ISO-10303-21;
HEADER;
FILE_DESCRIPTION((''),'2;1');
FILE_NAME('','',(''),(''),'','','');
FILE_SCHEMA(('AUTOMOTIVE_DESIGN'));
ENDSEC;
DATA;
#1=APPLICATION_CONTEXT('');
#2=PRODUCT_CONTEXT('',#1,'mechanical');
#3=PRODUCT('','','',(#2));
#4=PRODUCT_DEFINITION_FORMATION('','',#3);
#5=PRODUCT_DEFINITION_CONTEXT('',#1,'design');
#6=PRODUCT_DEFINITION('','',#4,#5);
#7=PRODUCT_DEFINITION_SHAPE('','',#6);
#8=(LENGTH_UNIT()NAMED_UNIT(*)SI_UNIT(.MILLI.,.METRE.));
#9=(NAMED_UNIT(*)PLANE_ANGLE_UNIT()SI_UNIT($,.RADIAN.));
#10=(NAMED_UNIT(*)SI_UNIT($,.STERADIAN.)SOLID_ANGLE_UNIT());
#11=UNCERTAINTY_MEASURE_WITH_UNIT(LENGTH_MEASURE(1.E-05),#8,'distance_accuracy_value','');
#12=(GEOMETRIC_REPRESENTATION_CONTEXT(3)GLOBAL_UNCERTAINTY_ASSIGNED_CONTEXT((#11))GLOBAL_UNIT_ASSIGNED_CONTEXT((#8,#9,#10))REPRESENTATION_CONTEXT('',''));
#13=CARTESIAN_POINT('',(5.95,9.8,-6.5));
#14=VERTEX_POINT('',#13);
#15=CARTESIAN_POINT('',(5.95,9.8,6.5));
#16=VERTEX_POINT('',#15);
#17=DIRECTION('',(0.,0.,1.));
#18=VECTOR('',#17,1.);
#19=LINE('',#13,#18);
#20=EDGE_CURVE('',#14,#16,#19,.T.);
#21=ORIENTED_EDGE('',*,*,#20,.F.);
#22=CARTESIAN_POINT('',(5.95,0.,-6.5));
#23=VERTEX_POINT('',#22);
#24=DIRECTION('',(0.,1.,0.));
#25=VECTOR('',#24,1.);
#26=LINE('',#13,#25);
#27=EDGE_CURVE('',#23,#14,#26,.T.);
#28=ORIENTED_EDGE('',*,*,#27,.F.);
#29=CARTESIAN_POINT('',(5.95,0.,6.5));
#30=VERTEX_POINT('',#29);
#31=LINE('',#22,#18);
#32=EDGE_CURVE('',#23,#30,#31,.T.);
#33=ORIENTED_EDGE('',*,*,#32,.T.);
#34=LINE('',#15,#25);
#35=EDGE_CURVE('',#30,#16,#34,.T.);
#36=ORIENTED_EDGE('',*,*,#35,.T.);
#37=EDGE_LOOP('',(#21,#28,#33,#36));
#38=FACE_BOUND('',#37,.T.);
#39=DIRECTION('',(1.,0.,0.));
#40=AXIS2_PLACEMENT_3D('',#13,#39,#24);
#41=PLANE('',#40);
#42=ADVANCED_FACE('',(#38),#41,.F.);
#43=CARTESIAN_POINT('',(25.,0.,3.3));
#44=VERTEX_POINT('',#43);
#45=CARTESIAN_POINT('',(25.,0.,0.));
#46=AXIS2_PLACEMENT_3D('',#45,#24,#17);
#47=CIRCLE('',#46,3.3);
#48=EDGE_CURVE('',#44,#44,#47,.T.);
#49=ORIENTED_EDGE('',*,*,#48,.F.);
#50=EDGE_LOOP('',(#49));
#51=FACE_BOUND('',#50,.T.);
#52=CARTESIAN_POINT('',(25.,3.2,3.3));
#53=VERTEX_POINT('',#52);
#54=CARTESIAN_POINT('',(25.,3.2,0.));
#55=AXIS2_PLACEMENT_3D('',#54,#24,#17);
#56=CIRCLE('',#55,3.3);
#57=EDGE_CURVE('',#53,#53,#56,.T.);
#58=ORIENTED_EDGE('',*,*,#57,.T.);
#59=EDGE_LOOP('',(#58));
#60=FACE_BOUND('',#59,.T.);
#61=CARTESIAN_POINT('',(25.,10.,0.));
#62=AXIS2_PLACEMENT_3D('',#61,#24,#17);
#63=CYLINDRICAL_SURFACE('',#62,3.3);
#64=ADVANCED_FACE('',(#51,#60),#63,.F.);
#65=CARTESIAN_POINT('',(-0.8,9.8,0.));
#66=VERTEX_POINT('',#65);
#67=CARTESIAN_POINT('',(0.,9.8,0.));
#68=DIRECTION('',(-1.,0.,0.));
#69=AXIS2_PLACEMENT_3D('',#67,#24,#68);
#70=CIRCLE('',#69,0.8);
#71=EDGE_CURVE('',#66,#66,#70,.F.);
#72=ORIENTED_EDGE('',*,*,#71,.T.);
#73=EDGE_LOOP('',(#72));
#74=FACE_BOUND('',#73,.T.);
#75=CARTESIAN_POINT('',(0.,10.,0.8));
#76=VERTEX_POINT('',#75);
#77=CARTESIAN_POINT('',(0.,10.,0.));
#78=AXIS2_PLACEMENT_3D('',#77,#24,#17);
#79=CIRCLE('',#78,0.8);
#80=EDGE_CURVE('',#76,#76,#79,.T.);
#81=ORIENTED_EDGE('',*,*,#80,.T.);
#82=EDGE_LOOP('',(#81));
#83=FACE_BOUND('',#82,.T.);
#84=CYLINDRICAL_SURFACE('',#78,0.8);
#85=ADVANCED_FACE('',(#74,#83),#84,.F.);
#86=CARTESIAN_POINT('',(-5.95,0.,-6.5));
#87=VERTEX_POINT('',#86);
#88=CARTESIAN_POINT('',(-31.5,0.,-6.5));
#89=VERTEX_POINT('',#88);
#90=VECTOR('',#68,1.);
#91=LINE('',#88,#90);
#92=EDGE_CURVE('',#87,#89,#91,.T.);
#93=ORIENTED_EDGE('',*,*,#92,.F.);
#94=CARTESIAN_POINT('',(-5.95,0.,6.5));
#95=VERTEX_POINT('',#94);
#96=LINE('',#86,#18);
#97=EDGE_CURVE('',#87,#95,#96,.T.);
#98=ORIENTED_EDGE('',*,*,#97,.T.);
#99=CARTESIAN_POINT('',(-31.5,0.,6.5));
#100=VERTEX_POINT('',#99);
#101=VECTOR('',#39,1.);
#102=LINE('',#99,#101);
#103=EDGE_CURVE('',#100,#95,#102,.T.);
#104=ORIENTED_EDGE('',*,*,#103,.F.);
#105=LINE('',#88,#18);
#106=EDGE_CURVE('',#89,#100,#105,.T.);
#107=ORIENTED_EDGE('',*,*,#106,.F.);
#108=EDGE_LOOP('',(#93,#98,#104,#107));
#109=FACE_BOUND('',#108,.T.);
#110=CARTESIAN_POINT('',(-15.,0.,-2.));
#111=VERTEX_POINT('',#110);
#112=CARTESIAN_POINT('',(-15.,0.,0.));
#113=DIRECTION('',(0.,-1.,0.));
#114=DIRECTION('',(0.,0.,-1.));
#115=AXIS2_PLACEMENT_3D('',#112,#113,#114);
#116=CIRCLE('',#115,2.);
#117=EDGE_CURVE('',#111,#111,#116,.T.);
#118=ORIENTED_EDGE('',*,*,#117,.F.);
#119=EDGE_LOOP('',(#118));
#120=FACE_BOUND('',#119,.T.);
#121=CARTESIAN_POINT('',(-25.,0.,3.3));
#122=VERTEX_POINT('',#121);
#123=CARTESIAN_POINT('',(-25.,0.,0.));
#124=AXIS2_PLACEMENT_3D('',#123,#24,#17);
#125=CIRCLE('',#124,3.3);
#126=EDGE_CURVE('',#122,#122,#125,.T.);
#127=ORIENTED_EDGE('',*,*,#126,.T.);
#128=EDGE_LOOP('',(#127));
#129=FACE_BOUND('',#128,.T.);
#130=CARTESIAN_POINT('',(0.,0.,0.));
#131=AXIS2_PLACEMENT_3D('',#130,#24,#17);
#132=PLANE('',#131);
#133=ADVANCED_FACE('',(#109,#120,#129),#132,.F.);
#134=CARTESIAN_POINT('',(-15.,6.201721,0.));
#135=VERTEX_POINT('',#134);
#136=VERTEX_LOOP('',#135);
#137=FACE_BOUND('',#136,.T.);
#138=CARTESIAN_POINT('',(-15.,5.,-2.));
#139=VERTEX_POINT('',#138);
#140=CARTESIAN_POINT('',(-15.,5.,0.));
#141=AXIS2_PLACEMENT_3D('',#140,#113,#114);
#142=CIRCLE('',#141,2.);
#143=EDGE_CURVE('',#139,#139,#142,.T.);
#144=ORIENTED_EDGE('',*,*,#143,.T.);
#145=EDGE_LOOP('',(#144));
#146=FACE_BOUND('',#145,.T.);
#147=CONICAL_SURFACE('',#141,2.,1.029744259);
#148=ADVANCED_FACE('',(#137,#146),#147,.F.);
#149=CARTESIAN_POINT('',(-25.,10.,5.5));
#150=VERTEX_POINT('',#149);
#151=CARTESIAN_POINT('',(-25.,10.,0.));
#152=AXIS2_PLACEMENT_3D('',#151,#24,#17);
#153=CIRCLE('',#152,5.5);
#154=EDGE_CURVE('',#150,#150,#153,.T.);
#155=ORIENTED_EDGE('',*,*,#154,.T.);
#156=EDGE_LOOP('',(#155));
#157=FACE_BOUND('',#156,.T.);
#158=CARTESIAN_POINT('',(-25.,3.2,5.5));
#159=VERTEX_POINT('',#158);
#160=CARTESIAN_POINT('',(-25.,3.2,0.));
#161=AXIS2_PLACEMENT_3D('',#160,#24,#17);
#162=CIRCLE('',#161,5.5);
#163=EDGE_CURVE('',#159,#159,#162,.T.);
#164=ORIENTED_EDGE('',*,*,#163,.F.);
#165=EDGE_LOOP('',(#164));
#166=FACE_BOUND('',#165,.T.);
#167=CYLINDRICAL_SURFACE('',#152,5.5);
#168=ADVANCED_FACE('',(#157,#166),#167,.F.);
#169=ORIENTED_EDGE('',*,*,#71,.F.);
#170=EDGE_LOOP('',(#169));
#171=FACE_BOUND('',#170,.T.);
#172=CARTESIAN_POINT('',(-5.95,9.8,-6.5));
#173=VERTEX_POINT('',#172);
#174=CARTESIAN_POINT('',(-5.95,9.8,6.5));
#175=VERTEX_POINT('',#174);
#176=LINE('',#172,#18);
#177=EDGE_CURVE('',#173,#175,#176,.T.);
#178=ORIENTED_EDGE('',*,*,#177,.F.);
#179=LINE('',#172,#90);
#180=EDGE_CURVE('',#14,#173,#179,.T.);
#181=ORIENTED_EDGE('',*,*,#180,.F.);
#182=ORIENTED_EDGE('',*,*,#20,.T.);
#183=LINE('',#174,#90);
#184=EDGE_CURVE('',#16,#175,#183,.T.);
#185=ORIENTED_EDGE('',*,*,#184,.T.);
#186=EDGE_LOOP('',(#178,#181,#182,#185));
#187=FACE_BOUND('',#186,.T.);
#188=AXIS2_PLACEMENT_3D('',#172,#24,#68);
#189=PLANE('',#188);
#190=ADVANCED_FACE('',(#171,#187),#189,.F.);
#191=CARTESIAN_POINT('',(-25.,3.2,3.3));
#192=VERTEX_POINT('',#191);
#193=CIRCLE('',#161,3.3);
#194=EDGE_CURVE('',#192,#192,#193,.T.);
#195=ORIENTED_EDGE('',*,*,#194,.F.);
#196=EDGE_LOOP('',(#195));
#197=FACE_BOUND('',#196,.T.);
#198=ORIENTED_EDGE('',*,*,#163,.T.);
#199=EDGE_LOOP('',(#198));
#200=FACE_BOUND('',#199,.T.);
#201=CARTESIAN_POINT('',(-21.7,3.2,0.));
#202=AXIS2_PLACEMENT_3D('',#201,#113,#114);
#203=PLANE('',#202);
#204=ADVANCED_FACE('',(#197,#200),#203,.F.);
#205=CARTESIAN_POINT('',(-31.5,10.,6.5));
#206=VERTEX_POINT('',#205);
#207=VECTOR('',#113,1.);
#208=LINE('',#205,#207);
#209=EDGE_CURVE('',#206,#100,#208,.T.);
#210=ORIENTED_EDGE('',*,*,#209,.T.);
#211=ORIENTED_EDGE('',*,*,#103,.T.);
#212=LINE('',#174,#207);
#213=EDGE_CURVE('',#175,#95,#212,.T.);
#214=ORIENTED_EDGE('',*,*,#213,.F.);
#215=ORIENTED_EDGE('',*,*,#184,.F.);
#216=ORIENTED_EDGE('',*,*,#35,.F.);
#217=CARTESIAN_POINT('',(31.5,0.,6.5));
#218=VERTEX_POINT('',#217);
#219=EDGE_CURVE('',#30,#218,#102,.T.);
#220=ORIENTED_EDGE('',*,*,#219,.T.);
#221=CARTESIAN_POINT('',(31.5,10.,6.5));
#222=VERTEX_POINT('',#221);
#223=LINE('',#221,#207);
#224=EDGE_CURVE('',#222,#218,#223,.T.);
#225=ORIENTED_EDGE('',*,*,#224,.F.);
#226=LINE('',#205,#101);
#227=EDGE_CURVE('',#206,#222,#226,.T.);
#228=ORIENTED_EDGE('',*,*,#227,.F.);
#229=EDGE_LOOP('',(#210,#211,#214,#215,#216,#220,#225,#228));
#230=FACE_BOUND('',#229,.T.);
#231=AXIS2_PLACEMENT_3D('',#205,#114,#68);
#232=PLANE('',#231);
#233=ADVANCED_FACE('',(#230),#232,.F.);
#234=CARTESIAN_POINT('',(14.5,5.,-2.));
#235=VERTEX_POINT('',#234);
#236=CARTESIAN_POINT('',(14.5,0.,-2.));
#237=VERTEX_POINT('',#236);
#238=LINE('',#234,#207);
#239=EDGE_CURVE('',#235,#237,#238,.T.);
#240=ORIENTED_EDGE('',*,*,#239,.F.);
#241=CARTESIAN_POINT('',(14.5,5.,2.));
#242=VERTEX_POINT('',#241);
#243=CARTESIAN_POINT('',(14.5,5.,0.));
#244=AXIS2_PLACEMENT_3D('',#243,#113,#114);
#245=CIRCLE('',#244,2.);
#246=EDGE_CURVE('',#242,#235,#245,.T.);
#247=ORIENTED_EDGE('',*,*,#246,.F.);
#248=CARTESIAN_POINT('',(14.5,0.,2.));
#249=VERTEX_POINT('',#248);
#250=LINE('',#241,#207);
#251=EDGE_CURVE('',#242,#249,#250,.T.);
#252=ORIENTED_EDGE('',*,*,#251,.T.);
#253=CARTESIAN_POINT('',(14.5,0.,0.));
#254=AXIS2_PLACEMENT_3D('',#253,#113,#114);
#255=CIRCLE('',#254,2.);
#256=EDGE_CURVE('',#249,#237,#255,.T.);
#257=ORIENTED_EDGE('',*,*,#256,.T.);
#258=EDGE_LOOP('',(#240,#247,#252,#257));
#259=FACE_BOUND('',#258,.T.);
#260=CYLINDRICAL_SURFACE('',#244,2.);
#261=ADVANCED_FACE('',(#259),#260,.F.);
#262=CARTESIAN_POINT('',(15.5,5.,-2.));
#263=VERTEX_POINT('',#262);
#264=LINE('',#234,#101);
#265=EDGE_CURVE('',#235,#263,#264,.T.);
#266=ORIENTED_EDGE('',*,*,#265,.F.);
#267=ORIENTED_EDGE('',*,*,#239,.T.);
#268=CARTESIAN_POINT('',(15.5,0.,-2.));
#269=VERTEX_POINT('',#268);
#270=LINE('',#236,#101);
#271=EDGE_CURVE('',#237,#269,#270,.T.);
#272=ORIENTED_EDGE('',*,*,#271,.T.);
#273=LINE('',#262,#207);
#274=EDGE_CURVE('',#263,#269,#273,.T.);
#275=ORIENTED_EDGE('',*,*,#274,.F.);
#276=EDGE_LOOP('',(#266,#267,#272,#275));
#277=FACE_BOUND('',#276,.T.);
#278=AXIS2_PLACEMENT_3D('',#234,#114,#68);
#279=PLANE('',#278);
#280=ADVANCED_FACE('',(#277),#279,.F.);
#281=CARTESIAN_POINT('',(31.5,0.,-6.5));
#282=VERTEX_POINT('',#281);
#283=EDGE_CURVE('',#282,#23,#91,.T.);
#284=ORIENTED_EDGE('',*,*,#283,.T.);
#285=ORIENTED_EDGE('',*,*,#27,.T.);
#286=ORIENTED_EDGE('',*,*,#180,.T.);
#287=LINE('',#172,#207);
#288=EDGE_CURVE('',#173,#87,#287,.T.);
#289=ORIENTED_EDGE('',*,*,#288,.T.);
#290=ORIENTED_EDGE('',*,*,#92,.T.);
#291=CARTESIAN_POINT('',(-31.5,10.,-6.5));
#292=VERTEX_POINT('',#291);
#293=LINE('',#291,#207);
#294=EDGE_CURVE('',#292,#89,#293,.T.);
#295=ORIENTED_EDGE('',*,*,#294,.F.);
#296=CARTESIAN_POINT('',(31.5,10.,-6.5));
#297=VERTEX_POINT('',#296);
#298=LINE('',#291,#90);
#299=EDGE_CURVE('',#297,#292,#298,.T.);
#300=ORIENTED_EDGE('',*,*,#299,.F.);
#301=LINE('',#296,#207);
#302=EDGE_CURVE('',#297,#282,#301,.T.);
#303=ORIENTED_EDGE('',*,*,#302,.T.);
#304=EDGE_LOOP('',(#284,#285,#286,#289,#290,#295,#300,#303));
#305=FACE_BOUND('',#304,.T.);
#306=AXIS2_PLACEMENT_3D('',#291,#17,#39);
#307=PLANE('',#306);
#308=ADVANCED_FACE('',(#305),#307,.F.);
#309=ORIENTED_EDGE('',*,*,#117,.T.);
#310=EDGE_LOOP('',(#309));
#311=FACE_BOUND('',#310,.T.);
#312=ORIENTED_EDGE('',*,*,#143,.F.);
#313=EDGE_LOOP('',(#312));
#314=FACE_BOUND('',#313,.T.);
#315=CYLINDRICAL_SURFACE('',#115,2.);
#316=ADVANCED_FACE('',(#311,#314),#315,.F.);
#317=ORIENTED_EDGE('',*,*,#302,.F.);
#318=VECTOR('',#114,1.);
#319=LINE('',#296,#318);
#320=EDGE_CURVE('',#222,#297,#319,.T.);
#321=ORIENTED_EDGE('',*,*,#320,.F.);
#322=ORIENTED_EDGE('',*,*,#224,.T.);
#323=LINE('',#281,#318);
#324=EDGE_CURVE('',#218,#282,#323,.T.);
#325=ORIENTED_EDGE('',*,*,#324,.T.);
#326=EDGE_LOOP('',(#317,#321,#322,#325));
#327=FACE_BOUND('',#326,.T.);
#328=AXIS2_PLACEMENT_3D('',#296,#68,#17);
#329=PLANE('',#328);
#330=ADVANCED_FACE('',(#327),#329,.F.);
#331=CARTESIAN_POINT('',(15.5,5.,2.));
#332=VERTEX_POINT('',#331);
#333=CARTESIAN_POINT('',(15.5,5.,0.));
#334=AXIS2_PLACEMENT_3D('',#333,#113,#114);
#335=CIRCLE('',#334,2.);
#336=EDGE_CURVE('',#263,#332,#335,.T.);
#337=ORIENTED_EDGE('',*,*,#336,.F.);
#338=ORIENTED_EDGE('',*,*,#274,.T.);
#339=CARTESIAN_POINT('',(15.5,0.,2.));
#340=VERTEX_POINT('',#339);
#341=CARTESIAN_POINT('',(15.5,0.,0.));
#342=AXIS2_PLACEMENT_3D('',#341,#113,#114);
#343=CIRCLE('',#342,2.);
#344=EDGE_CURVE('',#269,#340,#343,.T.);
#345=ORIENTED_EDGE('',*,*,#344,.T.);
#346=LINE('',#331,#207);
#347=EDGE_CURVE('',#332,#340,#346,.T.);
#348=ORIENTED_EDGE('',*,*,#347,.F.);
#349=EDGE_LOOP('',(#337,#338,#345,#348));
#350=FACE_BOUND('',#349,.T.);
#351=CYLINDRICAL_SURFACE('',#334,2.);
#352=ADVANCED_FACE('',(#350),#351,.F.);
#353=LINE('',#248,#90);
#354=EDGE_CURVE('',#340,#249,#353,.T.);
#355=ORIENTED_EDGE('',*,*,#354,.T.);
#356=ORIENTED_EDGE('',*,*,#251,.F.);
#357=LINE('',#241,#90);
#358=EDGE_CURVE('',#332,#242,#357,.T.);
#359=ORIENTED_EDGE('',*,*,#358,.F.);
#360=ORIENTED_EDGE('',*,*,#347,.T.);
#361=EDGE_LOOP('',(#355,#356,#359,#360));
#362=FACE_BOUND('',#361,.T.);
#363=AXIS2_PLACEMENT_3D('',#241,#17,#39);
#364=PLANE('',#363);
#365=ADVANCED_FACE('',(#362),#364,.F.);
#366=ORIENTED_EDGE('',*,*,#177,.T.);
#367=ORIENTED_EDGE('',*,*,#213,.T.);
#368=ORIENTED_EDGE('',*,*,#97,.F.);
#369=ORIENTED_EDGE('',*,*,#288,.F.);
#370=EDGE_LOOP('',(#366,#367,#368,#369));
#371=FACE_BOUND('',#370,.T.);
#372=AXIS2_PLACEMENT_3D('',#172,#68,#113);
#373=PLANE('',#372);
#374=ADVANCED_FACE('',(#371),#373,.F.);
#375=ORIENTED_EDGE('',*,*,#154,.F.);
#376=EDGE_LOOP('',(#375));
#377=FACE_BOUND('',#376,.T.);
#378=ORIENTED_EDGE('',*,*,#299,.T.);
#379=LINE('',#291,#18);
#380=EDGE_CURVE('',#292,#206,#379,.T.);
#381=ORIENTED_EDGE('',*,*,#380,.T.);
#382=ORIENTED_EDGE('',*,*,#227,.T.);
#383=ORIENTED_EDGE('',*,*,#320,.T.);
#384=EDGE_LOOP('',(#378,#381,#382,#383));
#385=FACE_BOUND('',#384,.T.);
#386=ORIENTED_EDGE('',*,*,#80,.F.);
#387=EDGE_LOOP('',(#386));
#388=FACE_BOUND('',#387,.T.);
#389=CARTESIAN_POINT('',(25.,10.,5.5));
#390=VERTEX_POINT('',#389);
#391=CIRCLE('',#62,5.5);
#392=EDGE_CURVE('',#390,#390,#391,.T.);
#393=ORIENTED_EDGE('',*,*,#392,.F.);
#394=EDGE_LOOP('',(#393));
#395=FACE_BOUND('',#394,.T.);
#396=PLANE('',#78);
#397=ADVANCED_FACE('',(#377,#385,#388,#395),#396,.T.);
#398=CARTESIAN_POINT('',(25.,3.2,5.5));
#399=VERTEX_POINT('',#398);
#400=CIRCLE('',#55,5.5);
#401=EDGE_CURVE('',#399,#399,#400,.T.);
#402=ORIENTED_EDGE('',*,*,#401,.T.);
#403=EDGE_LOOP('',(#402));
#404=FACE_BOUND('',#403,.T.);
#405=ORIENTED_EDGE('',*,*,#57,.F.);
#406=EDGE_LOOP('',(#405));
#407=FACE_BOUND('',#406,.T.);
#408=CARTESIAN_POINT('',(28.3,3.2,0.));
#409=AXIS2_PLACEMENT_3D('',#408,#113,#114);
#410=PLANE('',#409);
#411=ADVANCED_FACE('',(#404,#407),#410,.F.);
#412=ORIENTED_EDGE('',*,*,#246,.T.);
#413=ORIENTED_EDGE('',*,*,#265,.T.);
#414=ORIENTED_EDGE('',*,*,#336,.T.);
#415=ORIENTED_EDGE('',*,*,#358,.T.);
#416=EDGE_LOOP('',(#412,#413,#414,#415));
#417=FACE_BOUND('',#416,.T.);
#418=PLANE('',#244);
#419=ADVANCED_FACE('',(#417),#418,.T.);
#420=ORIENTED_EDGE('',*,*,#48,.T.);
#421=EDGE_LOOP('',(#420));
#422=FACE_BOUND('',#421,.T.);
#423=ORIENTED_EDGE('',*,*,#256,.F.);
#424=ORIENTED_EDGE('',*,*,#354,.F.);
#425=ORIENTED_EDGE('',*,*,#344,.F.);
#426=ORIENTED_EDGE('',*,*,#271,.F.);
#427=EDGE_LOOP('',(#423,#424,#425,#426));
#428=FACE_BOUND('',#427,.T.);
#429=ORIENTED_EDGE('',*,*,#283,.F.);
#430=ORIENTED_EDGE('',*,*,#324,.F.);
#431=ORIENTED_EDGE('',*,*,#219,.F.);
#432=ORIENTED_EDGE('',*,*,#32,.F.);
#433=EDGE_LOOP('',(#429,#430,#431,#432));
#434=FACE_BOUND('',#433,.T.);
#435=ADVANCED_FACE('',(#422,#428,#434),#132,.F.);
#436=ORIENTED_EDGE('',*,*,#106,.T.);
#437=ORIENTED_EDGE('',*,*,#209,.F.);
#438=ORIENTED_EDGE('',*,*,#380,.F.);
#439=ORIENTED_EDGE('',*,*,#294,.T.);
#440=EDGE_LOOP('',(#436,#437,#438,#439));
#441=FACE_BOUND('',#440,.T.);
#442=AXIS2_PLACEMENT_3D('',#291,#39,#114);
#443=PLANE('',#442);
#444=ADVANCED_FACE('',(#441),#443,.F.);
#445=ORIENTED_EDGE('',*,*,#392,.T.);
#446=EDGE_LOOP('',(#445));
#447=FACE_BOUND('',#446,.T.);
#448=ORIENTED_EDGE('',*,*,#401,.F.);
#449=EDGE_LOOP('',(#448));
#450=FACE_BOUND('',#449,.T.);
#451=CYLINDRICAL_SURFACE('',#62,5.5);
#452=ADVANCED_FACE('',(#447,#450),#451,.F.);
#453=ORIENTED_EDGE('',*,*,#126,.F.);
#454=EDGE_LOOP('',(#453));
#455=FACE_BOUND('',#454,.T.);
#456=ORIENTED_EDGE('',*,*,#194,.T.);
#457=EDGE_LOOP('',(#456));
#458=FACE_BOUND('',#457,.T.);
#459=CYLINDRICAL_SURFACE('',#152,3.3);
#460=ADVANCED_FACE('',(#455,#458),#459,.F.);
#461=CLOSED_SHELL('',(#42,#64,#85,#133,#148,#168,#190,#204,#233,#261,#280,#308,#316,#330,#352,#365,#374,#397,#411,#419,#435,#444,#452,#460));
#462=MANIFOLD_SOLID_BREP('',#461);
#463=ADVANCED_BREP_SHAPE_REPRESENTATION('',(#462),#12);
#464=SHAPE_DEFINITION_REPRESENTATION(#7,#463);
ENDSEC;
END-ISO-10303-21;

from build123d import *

# Parameters (mm, degrees)
SKETCH_1_W                = 63
SKETCH_1_H                = 13
EXTRUDE_1_DEPTH           = 10
HOLE_WIZARD_1_D           = 6.6
HOLE_WIZARD_1_CBORE_D     = 11
HOLE_WIZARD_1_CBORE_DEPTH = 6.8
MM_1_D                    = 4
MM_1_DEPTH                = 5
MM_1_TIP                  = 1.201721238
CUT_EXTRUDE_1_DEPTH       = 5
HOLE_WIZARD_M2_1_D        = 1.6
SKETCH_9_W                = 11.9
SKETCH_9_H                = 9.8
CUT_EXTRUDE_2_DEPTH       = 36.514081714


with BuildPart() as part:
    # 草图1 → 凸台-拉伸1 (new body)
    with BuildSketch(Plane(origin=(0, 0, 0), x_dir=(1, 0, 0), z_dir=(0, 1, 0))):
        Rectangle(SKETCH_1_W, SKETCH_1_H)
    extrude(amount=EXTRUDE_1_DEPTH)

    # 打孔尺寸(%根据)内六角圆柱头螺钉的类型1 (through all)
    with Locations(Plane(origin=(-25, 10, 0), x_dir=(0, 0, 1), z_dir=(0, 1, 0))):
        with Locations((0, 0), (0, 50)):
            CounterBoreHole(HOLE_WIZARD_1_D / 2, HOLE_WIZARD_1_CBORE_D / 2, HOLE_WIZARD_1_CBORE_DEPTH)

    # 大小mm 暗销孔1
    with Locations(Plane(origin=(-15, 0, 0), x_dir=(0, 0, -1), z_dir=(0, -1, 0))):
        with Locations((0, 0)):
            Hole(MM_1_D / 2, depth=MM_1_DEPTH)
            with Locations((0, 0, -(MM_1_DEPTH + MM_1_TIP / 2))):  # 118° drill point
                Cone(0, MM_1_D / 2, MM_1_TIP, mode=Mode.SUBTRACT)

    # 草图6 → 切除-拉伸1 (cut)
    with BuildSketch(Plane.XZ):
        with BuildLine():
            Line((14.5, 2), (15.5, 2))
            ThreePointArc((15.5, 2), (17.5, 0), (15.5, -2))
            Line((15.5, -2), (14.5, -2))
            ThreePointArc((14.5, -2), (12.5, 0), (14.5, 2))
        make_face()
    extrude(amount=-CUT_EXTRUDE_1_DEPTH, mode=Mode.SUBTRACT)

    # M2 螺纹孔1 (through all)
    with Locations(Plane.ZX.offset(10)):
        with Locations((0, 0)):
            Hole(HOLE_WIZARD_M2_1_D / 2)

    # 草图9 → 切除-拉伸2 (cut, through all)
    with BuildSketch(Plane.XY.offset(6.5)):
        with Locations((0, 4.9)):
            Rectangle(SKETCH_9_W, SKETCH_9_H)
    extrude(amount=-CUT_EXTRUDE_2_DEPTH, mode=Mode.SUBTRACT)


solid = part.part
